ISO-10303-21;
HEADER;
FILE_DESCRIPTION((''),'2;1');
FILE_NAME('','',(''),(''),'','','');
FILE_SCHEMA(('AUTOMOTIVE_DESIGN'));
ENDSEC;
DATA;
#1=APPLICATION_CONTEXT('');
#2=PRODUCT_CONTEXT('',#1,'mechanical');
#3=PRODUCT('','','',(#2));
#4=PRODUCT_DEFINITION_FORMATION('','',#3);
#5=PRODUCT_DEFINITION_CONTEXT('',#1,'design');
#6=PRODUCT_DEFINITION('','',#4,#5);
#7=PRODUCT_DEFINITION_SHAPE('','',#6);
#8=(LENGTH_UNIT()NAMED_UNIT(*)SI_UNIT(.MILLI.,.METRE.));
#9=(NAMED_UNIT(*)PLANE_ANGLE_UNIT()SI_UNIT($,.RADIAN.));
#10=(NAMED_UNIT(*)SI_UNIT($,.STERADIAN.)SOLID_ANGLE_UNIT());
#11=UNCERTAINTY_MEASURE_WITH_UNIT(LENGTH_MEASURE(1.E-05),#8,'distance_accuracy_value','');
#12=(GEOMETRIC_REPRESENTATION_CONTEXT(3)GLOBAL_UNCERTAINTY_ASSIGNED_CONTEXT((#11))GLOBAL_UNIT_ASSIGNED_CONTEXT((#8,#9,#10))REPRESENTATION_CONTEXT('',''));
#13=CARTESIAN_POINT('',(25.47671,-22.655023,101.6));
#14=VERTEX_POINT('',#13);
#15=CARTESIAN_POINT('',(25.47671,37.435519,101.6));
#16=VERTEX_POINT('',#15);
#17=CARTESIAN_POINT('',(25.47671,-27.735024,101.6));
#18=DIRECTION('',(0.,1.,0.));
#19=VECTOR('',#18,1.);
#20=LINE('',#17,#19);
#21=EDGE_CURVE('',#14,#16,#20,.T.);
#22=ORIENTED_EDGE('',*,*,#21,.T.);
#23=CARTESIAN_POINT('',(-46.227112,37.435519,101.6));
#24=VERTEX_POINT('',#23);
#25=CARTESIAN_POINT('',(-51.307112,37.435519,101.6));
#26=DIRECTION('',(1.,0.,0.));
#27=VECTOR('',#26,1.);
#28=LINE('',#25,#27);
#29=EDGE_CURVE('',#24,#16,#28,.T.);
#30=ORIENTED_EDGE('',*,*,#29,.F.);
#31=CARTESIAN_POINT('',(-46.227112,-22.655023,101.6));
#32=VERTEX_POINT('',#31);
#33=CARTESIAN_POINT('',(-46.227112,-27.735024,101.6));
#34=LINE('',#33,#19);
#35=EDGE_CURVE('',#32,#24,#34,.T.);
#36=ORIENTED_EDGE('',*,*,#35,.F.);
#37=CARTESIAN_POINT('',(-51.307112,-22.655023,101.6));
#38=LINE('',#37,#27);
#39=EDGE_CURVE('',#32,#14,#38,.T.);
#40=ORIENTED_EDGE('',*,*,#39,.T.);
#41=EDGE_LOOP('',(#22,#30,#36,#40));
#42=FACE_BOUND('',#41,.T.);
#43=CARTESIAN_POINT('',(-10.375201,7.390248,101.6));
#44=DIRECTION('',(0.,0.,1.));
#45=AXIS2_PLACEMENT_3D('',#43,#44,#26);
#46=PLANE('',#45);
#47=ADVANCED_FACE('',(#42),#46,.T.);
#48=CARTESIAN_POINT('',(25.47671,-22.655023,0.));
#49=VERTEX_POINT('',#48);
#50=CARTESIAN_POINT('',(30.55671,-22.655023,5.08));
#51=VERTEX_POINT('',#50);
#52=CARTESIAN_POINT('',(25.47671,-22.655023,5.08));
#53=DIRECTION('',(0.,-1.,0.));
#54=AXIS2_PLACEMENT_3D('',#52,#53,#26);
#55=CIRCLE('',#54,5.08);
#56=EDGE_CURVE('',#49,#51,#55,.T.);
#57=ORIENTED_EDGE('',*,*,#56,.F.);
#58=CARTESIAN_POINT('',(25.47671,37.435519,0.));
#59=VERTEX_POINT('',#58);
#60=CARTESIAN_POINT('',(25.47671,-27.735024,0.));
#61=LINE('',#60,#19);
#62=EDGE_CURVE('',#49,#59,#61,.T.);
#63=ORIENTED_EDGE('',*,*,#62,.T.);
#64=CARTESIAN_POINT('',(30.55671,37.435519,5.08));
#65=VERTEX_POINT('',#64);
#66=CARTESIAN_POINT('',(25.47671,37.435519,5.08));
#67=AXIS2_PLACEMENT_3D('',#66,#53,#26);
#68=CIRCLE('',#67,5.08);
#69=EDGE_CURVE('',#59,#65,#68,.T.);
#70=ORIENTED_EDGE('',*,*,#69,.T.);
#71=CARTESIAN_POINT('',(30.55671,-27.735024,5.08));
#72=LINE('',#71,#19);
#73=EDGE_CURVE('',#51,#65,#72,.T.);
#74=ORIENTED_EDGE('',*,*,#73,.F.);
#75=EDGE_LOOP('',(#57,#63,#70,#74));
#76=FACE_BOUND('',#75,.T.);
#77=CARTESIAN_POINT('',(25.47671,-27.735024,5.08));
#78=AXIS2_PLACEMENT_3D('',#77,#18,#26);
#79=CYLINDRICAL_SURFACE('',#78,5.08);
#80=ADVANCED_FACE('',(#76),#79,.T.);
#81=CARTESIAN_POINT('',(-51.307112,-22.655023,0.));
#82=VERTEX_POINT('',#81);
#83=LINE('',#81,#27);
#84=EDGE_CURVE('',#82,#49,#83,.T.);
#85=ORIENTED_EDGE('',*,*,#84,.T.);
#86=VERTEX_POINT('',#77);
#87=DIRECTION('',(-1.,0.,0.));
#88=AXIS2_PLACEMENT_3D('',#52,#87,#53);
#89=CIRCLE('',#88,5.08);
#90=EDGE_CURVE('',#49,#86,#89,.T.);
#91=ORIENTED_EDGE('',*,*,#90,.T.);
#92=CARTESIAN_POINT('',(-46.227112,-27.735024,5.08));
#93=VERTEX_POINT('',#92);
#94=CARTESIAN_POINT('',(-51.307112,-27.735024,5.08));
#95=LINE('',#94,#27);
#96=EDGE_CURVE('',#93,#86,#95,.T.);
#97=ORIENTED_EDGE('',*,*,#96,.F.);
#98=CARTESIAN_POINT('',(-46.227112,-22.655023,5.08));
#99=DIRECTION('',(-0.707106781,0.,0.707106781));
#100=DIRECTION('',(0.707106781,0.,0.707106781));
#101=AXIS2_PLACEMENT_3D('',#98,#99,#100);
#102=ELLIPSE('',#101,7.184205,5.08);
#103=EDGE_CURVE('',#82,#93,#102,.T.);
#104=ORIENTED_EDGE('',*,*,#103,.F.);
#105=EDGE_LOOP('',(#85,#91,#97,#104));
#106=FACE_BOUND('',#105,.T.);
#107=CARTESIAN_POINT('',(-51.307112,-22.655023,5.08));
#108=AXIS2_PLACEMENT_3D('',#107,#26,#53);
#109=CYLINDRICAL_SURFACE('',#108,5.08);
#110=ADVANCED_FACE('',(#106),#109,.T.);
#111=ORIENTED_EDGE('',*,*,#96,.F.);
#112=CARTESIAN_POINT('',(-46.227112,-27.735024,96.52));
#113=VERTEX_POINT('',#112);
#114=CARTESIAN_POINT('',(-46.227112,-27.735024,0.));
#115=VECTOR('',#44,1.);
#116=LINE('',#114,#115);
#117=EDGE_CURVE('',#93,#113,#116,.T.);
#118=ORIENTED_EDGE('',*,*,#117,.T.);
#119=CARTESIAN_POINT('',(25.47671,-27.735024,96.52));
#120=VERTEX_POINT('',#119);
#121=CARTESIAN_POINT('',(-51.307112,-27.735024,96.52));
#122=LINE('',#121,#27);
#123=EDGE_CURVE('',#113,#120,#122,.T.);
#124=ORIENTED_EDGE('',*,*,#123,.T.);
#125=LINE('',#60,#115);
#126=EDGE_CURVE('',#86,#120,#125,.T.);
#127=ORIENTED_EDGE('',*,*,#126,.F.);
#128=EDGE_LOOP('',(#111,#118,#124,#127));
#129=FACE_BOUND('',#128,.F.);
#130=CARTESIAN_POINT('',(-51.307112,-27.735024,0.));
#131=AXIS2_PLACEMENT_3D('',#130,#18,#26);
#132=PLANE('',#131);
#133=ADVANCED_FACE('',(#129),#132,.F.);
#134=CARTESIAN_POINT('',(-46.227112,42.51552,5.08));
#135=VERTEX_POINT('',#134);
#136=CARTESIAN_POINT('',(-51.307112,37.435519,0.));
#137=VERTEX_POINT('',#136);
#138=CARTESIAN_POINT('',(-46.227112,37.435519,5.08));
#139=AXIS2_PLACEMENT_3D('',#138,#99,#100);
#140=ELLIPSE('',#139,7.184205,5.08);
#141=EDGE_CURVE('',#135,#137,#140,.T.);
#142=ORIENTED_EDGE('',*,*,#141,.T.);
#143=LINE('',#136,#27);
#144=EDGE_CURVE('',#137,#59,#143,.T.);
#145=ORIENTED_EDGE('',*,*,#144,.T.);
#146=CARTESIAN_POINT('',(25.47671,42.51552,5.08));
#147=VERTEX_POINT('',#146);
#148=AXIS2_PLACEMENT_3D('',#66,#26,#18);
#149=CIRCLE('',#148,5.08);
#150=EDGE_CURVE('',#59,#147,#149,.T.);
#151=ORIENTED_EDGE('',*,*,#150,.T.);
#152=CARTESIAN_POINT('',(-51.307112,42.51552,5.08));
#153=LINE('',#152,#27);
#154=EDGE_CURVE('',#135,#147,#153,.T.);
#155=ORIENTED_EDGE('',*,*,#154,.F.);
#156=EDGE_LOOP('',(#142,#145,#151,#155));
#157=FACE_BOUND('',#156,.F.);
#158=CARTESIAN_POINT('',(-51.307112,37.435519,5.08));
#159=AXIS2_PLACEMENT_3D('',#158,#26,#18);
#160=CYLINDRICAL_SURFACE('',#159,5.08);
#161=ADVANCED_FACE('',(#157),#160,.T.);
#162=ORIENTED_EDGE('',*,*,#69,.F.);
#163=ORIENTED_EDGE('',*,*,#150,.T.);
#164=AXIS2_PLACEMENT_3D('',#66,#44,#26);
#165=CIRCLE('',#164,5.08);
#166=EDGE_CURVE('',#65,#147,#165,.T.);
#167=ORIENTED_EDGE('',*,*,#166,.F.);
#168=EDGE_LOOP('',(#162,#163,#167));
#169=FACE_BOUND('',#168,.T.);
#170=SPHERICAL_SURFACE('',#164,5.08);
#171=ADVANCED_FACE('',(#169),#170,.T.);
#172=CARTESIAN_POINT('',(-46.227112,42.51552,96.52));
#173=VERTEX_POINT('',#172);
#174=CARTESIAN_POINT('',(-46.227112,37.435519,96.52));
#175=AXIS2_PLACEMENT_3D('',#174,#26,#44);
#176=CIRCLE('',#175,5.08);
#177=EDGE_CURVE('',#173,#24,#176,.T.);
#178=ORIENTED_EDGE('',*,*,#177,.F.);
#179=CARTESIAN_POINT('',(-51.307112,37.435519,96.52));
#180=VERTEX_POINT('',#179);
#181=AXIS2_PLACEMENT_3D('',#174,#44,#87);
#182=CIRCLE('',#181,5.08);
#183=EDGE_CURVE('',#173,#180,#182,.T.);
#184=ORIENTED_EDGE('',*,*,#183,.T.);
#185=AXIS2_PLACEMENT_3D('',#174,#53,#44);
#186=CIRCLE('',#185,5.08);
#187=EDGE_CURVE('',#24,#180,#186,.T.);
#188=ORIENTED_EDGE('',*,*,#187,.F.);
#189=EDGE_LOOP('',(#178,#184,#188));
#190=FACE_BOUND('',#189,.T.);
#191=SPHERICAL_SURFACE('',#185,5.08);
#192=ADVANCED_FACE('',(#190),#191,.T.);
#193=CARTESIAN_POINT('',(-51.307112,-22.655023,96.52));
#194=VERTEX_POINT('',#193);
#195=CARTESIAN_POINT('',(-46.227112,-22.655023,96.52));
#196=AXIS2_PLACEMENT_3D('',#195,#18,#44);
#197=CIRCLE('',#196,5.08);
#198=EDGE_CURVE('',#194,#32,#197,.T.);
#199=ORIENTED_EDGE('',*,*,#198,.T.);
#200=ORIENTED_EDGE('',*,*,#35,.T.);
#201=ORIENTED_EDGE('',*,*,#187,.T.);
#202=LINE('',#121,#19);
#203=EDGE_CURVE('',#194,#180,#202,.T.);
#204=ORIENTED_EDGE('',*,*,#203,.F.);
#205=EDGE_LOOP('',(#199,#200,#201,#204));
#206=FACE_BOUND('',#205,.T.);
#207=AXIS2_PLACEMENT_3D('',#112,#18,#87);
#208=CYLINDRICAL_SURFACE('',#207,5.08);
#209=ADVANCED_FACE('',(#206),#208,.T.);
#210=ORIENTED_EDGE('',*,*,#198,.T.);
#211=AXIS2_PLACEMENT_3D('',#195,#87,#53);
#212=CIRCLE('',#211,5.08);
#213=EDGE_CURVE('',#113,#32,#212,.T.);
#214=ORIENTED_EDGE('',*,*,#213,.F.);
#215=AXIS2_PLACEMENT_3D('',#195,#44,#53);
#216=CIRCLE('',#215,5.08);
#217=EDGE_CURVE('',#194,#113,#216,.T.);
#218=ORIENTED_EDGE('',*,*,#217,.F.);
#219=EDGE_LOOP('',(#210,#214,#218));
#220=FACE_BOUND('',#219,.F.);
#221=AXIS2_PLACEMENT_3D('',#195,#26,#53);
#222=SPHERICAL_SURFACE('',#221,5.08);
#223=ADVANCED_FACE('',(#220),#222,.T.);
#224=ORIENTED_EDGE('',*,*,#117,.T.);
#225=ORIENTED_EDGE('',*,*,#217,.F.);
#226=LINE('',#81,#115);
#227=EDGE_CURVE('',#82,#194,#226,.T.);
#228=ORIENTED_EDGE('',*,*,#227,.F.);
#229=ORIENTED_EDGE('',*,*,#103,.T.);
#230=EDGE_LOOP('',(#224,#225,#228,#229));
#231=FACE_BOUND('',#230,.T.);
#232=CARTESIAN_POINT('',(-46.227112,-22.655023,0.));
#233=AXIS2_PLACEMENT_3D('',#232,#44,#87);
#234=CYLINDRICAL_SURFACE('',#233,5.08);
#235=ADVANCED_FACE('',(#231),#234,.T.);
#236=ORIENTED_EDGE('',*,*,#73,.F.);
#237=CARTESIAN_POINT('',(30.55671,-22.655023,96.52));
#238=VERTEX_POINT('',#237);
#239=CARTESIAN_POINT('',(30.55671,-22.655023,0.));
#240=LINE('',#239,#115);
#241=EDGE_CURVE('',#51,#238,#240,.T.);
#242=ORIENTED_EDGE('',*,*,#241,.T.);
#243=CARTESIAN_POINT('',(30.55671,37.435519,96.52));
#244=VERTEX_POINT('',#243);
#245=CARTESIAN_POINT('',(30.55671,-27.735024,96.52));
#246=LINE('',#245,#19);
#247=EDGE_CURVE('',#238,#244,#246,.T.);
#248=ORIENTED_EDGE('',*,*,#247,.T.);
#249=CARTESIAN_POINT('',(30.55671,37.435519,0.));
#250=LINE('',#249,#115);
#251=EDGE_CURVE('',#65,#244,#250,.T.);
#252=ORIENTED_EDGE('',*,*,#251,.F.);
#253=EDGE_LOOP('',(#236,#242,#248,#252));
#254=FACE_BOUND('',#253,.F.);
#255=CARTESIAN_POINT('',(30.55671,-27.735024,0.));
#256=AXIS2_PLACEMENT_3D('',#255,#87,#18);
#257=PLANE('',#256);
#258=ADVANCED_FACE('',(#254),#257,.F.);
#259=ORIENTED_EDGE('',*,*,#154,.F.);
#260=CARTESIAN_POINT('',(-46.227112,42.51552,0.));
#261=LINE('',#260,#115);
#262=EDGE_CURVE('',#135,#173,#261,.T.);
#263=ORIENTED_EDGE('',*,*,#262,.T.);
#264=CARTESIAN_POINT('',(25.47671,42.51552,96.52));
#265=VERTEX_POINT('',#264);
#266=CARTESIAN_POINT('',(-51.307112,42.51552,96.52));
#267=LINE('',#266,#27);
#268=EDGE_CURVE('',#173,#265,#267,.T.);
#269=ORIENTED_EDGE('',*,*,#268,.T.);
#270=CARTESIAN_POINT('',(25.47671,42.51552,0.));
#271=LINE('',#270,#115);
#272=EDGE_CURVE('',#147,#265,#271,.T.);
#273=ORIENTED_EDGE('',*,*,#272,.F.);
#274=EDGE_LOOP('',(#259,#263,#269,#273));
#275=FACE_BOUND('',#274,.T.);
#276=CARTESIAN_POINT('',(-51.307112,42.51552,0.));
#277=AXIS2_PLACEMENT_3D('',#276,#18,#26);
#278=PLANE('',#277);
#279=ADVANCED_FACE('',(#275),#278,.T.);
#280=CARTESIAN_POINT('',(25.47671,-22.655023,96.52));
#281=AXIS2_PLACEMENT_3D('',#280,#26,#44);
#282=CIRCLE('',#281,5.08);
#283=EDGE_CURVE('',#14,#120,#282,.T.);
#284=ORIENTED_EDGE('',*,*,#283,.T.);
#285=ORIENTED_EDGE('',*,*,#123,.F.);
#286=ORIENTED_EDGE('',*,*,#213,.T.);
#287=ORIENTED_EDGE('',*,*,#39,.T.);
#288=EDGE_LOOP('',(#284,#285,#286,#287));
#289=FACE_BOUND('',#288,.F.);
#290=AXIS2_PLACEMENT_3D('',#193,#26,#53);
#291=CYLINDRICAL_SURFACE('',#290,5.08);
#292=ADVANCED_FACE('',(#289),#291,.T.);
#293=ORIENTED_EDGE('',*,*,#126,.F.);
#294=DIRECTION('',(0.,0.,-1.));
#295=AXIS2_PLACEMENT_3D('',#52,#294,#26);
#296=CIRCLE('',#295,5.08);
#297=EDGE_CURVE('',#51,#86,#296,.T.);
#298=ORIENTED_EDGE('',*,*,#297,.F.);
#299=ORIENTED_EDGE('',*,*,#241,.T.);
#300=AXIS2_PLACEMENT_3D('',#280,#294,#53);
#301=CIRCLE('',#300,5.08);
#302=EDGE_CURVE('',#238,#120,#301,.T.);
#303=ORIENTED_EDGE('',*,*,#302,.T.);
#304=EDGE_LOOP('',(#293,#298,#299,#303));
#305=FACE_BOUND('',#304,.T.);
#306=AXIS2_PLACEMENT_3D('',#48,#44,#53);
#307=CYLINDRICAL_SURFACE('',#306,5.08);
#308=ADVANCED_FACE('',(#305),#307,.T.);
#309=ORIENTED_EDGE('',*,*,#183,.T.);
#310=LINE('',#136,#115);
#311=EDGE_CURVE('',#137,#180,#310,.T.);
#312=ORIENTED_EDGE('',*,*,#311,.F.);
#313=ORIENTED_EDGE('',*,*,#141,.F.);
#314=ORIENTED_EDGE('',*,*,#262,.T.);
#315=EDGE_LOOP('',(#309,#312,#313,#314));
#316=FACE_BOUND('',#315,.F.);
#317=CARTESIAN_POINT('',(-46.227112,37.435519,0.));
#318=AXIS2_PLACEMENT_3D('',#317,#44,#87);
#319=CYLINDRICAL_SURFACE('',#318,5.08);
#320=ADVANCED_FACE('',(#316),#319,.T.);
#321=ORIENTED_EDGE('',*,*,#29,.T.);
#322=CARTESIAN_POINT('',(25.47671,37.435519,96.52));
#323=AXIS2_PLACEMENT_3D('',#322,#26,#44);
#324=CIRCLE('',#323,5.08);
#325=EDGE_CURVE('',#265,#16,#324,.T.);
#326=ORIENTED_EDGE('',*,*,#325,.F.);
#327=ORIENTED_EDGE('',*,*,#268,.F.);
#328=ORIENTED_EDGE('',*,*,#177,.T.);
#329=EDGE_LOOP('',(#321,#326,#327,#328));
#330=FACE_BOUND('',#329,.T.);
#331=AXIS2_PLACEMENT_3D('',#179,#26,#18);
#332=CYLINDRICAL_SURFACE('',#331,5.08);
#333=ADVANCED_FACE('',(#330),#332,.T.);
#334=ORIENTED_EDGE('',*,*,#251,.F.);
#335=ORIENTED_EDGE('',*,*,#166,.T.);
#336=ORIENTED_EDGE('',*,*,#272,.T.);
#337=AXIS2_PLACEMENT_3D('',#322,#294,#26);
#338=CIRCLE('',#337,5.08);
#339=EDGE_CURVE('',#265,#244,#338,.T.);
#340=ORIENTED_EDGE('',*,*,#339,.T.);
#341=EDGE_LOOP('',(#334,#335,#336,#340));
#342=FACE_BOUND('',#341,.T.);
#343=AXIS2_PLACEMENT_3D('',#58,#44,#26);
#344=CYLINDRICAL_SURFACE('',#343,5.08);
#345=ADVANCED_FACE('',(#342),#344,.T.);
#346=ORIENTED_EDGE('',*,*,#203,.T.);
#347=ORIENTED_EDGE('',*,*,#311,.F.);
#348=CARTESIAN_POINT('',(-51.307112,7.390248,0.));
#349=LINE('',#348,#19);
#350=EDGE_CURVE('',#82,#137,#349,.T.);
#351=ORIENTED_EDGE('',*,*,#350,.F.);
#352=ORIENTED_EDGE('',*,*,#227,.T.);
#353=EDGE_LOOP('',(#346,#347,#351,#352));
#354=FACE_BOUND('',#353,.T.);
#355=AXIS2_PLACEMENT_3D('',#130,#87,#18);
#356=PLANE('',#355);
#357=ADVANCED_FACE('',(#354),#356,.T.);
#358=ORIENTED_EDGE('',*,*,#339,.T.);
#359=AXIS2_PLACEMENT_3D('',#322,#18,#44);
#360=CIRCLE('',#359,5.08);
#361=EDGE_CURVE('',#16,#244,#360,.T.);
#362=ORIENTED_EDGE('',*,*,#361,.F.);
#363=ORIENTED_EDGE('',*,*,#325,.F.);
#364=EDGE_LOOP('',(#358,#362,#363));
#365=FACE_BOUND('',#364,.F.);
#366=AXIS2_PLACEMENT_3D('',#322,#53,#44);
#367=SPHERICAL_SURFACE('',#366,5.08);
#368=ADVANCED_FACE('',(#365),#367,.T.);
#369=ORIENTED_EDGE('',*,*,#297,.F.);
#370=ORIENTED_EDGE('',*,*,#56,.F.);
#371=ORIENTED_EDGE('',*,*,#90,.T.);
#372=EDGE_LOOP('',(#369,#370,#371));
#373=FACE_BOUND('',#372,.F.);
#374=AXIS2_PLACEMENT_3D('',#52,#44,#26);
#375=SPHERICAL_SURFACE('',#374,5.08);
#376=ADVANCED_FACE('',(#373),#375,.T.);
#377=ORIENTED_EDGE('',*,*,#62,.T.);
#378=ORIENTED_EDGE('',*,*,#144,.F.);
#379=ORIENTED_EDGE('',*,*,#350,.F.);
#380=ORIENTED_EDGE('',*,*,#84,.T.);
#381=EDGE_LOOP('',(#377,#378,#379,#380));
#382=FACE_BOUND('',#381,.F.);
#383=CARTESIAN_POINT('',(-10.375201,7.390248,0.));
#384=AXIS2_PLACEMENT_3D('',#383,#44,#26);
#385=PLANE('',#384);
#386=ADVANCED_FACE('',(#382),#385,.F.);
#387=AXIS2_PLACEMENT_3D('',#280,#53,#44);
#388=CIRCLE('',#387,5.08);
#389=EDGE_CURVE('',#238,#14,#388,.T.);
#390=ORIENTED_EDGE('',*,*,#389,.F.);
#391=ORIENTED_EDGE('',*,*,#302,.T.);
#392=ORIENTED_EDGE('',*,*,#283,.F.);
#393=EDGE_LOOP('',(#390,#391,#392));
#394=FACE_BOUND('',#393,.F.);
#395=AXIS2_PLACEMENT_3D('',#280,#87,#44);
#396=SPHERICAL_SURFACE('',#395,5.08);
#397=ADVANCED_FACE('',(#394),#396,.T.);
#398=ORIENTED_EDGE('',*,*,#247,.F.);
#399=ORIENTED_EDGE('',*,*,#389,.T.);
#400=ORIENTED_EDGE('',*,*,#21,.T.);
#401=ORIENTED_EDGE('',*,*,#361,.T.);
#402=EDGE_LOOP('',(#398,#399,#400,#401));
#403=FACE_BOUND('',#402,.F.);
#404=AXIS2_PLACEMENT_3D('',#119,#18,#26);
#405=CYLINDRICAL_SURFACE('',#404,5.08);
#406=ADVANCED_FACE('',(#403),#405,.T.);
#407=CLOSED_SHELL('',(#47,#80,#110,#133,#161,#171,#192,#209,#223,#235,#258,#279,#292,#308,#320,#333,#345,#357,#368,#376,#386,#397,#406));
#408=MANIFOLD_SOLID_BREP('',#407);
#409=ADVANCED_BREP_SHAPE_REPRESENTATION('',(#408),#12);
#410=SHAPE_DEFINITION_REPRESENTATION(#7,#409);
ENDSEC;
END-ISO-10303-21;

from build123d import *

# Parameters (mm, degrees)
F0_W     = 81.863822
F0_H     = 70.250543
F1_DEPTH = 101.6
F2_R     = 5.08


with BuildPart() as f1:
    # F0 (on Top) → F1 (new body)
    with BuildSketch(Plane.XY):
        with Locations((-10.375201, 7.390248)):
            Rectangle(F0_W, F0_H)
    extrude(amount=F1_DEPTH)

    # F2
    f2_edges = [f1.edges().sort_by_distance(p)[0] for p in [
        (-10.375201, -27.735023, 101.6),
        (30.55671, 7.390249, 101.6),
        (30.55671, -27.735023, 50.8),
        (-51.307112, -27.735023, 50.8),
        (-51.307112, 7.390249, 101.6),
        (-10.375201, 42.51552, 101.6),
        (30.55671, 42.51552, 50.8),
        (30.55671, 7.390249, 0),
        (-10.375201, -27.735023, 0),
        (-10.375201, 42.51552, 0),
        (-51.307112, 42.51552, 50.8),
    ]]
    fillet(f2_edges, radius=F2_R)


solid = f1.part
